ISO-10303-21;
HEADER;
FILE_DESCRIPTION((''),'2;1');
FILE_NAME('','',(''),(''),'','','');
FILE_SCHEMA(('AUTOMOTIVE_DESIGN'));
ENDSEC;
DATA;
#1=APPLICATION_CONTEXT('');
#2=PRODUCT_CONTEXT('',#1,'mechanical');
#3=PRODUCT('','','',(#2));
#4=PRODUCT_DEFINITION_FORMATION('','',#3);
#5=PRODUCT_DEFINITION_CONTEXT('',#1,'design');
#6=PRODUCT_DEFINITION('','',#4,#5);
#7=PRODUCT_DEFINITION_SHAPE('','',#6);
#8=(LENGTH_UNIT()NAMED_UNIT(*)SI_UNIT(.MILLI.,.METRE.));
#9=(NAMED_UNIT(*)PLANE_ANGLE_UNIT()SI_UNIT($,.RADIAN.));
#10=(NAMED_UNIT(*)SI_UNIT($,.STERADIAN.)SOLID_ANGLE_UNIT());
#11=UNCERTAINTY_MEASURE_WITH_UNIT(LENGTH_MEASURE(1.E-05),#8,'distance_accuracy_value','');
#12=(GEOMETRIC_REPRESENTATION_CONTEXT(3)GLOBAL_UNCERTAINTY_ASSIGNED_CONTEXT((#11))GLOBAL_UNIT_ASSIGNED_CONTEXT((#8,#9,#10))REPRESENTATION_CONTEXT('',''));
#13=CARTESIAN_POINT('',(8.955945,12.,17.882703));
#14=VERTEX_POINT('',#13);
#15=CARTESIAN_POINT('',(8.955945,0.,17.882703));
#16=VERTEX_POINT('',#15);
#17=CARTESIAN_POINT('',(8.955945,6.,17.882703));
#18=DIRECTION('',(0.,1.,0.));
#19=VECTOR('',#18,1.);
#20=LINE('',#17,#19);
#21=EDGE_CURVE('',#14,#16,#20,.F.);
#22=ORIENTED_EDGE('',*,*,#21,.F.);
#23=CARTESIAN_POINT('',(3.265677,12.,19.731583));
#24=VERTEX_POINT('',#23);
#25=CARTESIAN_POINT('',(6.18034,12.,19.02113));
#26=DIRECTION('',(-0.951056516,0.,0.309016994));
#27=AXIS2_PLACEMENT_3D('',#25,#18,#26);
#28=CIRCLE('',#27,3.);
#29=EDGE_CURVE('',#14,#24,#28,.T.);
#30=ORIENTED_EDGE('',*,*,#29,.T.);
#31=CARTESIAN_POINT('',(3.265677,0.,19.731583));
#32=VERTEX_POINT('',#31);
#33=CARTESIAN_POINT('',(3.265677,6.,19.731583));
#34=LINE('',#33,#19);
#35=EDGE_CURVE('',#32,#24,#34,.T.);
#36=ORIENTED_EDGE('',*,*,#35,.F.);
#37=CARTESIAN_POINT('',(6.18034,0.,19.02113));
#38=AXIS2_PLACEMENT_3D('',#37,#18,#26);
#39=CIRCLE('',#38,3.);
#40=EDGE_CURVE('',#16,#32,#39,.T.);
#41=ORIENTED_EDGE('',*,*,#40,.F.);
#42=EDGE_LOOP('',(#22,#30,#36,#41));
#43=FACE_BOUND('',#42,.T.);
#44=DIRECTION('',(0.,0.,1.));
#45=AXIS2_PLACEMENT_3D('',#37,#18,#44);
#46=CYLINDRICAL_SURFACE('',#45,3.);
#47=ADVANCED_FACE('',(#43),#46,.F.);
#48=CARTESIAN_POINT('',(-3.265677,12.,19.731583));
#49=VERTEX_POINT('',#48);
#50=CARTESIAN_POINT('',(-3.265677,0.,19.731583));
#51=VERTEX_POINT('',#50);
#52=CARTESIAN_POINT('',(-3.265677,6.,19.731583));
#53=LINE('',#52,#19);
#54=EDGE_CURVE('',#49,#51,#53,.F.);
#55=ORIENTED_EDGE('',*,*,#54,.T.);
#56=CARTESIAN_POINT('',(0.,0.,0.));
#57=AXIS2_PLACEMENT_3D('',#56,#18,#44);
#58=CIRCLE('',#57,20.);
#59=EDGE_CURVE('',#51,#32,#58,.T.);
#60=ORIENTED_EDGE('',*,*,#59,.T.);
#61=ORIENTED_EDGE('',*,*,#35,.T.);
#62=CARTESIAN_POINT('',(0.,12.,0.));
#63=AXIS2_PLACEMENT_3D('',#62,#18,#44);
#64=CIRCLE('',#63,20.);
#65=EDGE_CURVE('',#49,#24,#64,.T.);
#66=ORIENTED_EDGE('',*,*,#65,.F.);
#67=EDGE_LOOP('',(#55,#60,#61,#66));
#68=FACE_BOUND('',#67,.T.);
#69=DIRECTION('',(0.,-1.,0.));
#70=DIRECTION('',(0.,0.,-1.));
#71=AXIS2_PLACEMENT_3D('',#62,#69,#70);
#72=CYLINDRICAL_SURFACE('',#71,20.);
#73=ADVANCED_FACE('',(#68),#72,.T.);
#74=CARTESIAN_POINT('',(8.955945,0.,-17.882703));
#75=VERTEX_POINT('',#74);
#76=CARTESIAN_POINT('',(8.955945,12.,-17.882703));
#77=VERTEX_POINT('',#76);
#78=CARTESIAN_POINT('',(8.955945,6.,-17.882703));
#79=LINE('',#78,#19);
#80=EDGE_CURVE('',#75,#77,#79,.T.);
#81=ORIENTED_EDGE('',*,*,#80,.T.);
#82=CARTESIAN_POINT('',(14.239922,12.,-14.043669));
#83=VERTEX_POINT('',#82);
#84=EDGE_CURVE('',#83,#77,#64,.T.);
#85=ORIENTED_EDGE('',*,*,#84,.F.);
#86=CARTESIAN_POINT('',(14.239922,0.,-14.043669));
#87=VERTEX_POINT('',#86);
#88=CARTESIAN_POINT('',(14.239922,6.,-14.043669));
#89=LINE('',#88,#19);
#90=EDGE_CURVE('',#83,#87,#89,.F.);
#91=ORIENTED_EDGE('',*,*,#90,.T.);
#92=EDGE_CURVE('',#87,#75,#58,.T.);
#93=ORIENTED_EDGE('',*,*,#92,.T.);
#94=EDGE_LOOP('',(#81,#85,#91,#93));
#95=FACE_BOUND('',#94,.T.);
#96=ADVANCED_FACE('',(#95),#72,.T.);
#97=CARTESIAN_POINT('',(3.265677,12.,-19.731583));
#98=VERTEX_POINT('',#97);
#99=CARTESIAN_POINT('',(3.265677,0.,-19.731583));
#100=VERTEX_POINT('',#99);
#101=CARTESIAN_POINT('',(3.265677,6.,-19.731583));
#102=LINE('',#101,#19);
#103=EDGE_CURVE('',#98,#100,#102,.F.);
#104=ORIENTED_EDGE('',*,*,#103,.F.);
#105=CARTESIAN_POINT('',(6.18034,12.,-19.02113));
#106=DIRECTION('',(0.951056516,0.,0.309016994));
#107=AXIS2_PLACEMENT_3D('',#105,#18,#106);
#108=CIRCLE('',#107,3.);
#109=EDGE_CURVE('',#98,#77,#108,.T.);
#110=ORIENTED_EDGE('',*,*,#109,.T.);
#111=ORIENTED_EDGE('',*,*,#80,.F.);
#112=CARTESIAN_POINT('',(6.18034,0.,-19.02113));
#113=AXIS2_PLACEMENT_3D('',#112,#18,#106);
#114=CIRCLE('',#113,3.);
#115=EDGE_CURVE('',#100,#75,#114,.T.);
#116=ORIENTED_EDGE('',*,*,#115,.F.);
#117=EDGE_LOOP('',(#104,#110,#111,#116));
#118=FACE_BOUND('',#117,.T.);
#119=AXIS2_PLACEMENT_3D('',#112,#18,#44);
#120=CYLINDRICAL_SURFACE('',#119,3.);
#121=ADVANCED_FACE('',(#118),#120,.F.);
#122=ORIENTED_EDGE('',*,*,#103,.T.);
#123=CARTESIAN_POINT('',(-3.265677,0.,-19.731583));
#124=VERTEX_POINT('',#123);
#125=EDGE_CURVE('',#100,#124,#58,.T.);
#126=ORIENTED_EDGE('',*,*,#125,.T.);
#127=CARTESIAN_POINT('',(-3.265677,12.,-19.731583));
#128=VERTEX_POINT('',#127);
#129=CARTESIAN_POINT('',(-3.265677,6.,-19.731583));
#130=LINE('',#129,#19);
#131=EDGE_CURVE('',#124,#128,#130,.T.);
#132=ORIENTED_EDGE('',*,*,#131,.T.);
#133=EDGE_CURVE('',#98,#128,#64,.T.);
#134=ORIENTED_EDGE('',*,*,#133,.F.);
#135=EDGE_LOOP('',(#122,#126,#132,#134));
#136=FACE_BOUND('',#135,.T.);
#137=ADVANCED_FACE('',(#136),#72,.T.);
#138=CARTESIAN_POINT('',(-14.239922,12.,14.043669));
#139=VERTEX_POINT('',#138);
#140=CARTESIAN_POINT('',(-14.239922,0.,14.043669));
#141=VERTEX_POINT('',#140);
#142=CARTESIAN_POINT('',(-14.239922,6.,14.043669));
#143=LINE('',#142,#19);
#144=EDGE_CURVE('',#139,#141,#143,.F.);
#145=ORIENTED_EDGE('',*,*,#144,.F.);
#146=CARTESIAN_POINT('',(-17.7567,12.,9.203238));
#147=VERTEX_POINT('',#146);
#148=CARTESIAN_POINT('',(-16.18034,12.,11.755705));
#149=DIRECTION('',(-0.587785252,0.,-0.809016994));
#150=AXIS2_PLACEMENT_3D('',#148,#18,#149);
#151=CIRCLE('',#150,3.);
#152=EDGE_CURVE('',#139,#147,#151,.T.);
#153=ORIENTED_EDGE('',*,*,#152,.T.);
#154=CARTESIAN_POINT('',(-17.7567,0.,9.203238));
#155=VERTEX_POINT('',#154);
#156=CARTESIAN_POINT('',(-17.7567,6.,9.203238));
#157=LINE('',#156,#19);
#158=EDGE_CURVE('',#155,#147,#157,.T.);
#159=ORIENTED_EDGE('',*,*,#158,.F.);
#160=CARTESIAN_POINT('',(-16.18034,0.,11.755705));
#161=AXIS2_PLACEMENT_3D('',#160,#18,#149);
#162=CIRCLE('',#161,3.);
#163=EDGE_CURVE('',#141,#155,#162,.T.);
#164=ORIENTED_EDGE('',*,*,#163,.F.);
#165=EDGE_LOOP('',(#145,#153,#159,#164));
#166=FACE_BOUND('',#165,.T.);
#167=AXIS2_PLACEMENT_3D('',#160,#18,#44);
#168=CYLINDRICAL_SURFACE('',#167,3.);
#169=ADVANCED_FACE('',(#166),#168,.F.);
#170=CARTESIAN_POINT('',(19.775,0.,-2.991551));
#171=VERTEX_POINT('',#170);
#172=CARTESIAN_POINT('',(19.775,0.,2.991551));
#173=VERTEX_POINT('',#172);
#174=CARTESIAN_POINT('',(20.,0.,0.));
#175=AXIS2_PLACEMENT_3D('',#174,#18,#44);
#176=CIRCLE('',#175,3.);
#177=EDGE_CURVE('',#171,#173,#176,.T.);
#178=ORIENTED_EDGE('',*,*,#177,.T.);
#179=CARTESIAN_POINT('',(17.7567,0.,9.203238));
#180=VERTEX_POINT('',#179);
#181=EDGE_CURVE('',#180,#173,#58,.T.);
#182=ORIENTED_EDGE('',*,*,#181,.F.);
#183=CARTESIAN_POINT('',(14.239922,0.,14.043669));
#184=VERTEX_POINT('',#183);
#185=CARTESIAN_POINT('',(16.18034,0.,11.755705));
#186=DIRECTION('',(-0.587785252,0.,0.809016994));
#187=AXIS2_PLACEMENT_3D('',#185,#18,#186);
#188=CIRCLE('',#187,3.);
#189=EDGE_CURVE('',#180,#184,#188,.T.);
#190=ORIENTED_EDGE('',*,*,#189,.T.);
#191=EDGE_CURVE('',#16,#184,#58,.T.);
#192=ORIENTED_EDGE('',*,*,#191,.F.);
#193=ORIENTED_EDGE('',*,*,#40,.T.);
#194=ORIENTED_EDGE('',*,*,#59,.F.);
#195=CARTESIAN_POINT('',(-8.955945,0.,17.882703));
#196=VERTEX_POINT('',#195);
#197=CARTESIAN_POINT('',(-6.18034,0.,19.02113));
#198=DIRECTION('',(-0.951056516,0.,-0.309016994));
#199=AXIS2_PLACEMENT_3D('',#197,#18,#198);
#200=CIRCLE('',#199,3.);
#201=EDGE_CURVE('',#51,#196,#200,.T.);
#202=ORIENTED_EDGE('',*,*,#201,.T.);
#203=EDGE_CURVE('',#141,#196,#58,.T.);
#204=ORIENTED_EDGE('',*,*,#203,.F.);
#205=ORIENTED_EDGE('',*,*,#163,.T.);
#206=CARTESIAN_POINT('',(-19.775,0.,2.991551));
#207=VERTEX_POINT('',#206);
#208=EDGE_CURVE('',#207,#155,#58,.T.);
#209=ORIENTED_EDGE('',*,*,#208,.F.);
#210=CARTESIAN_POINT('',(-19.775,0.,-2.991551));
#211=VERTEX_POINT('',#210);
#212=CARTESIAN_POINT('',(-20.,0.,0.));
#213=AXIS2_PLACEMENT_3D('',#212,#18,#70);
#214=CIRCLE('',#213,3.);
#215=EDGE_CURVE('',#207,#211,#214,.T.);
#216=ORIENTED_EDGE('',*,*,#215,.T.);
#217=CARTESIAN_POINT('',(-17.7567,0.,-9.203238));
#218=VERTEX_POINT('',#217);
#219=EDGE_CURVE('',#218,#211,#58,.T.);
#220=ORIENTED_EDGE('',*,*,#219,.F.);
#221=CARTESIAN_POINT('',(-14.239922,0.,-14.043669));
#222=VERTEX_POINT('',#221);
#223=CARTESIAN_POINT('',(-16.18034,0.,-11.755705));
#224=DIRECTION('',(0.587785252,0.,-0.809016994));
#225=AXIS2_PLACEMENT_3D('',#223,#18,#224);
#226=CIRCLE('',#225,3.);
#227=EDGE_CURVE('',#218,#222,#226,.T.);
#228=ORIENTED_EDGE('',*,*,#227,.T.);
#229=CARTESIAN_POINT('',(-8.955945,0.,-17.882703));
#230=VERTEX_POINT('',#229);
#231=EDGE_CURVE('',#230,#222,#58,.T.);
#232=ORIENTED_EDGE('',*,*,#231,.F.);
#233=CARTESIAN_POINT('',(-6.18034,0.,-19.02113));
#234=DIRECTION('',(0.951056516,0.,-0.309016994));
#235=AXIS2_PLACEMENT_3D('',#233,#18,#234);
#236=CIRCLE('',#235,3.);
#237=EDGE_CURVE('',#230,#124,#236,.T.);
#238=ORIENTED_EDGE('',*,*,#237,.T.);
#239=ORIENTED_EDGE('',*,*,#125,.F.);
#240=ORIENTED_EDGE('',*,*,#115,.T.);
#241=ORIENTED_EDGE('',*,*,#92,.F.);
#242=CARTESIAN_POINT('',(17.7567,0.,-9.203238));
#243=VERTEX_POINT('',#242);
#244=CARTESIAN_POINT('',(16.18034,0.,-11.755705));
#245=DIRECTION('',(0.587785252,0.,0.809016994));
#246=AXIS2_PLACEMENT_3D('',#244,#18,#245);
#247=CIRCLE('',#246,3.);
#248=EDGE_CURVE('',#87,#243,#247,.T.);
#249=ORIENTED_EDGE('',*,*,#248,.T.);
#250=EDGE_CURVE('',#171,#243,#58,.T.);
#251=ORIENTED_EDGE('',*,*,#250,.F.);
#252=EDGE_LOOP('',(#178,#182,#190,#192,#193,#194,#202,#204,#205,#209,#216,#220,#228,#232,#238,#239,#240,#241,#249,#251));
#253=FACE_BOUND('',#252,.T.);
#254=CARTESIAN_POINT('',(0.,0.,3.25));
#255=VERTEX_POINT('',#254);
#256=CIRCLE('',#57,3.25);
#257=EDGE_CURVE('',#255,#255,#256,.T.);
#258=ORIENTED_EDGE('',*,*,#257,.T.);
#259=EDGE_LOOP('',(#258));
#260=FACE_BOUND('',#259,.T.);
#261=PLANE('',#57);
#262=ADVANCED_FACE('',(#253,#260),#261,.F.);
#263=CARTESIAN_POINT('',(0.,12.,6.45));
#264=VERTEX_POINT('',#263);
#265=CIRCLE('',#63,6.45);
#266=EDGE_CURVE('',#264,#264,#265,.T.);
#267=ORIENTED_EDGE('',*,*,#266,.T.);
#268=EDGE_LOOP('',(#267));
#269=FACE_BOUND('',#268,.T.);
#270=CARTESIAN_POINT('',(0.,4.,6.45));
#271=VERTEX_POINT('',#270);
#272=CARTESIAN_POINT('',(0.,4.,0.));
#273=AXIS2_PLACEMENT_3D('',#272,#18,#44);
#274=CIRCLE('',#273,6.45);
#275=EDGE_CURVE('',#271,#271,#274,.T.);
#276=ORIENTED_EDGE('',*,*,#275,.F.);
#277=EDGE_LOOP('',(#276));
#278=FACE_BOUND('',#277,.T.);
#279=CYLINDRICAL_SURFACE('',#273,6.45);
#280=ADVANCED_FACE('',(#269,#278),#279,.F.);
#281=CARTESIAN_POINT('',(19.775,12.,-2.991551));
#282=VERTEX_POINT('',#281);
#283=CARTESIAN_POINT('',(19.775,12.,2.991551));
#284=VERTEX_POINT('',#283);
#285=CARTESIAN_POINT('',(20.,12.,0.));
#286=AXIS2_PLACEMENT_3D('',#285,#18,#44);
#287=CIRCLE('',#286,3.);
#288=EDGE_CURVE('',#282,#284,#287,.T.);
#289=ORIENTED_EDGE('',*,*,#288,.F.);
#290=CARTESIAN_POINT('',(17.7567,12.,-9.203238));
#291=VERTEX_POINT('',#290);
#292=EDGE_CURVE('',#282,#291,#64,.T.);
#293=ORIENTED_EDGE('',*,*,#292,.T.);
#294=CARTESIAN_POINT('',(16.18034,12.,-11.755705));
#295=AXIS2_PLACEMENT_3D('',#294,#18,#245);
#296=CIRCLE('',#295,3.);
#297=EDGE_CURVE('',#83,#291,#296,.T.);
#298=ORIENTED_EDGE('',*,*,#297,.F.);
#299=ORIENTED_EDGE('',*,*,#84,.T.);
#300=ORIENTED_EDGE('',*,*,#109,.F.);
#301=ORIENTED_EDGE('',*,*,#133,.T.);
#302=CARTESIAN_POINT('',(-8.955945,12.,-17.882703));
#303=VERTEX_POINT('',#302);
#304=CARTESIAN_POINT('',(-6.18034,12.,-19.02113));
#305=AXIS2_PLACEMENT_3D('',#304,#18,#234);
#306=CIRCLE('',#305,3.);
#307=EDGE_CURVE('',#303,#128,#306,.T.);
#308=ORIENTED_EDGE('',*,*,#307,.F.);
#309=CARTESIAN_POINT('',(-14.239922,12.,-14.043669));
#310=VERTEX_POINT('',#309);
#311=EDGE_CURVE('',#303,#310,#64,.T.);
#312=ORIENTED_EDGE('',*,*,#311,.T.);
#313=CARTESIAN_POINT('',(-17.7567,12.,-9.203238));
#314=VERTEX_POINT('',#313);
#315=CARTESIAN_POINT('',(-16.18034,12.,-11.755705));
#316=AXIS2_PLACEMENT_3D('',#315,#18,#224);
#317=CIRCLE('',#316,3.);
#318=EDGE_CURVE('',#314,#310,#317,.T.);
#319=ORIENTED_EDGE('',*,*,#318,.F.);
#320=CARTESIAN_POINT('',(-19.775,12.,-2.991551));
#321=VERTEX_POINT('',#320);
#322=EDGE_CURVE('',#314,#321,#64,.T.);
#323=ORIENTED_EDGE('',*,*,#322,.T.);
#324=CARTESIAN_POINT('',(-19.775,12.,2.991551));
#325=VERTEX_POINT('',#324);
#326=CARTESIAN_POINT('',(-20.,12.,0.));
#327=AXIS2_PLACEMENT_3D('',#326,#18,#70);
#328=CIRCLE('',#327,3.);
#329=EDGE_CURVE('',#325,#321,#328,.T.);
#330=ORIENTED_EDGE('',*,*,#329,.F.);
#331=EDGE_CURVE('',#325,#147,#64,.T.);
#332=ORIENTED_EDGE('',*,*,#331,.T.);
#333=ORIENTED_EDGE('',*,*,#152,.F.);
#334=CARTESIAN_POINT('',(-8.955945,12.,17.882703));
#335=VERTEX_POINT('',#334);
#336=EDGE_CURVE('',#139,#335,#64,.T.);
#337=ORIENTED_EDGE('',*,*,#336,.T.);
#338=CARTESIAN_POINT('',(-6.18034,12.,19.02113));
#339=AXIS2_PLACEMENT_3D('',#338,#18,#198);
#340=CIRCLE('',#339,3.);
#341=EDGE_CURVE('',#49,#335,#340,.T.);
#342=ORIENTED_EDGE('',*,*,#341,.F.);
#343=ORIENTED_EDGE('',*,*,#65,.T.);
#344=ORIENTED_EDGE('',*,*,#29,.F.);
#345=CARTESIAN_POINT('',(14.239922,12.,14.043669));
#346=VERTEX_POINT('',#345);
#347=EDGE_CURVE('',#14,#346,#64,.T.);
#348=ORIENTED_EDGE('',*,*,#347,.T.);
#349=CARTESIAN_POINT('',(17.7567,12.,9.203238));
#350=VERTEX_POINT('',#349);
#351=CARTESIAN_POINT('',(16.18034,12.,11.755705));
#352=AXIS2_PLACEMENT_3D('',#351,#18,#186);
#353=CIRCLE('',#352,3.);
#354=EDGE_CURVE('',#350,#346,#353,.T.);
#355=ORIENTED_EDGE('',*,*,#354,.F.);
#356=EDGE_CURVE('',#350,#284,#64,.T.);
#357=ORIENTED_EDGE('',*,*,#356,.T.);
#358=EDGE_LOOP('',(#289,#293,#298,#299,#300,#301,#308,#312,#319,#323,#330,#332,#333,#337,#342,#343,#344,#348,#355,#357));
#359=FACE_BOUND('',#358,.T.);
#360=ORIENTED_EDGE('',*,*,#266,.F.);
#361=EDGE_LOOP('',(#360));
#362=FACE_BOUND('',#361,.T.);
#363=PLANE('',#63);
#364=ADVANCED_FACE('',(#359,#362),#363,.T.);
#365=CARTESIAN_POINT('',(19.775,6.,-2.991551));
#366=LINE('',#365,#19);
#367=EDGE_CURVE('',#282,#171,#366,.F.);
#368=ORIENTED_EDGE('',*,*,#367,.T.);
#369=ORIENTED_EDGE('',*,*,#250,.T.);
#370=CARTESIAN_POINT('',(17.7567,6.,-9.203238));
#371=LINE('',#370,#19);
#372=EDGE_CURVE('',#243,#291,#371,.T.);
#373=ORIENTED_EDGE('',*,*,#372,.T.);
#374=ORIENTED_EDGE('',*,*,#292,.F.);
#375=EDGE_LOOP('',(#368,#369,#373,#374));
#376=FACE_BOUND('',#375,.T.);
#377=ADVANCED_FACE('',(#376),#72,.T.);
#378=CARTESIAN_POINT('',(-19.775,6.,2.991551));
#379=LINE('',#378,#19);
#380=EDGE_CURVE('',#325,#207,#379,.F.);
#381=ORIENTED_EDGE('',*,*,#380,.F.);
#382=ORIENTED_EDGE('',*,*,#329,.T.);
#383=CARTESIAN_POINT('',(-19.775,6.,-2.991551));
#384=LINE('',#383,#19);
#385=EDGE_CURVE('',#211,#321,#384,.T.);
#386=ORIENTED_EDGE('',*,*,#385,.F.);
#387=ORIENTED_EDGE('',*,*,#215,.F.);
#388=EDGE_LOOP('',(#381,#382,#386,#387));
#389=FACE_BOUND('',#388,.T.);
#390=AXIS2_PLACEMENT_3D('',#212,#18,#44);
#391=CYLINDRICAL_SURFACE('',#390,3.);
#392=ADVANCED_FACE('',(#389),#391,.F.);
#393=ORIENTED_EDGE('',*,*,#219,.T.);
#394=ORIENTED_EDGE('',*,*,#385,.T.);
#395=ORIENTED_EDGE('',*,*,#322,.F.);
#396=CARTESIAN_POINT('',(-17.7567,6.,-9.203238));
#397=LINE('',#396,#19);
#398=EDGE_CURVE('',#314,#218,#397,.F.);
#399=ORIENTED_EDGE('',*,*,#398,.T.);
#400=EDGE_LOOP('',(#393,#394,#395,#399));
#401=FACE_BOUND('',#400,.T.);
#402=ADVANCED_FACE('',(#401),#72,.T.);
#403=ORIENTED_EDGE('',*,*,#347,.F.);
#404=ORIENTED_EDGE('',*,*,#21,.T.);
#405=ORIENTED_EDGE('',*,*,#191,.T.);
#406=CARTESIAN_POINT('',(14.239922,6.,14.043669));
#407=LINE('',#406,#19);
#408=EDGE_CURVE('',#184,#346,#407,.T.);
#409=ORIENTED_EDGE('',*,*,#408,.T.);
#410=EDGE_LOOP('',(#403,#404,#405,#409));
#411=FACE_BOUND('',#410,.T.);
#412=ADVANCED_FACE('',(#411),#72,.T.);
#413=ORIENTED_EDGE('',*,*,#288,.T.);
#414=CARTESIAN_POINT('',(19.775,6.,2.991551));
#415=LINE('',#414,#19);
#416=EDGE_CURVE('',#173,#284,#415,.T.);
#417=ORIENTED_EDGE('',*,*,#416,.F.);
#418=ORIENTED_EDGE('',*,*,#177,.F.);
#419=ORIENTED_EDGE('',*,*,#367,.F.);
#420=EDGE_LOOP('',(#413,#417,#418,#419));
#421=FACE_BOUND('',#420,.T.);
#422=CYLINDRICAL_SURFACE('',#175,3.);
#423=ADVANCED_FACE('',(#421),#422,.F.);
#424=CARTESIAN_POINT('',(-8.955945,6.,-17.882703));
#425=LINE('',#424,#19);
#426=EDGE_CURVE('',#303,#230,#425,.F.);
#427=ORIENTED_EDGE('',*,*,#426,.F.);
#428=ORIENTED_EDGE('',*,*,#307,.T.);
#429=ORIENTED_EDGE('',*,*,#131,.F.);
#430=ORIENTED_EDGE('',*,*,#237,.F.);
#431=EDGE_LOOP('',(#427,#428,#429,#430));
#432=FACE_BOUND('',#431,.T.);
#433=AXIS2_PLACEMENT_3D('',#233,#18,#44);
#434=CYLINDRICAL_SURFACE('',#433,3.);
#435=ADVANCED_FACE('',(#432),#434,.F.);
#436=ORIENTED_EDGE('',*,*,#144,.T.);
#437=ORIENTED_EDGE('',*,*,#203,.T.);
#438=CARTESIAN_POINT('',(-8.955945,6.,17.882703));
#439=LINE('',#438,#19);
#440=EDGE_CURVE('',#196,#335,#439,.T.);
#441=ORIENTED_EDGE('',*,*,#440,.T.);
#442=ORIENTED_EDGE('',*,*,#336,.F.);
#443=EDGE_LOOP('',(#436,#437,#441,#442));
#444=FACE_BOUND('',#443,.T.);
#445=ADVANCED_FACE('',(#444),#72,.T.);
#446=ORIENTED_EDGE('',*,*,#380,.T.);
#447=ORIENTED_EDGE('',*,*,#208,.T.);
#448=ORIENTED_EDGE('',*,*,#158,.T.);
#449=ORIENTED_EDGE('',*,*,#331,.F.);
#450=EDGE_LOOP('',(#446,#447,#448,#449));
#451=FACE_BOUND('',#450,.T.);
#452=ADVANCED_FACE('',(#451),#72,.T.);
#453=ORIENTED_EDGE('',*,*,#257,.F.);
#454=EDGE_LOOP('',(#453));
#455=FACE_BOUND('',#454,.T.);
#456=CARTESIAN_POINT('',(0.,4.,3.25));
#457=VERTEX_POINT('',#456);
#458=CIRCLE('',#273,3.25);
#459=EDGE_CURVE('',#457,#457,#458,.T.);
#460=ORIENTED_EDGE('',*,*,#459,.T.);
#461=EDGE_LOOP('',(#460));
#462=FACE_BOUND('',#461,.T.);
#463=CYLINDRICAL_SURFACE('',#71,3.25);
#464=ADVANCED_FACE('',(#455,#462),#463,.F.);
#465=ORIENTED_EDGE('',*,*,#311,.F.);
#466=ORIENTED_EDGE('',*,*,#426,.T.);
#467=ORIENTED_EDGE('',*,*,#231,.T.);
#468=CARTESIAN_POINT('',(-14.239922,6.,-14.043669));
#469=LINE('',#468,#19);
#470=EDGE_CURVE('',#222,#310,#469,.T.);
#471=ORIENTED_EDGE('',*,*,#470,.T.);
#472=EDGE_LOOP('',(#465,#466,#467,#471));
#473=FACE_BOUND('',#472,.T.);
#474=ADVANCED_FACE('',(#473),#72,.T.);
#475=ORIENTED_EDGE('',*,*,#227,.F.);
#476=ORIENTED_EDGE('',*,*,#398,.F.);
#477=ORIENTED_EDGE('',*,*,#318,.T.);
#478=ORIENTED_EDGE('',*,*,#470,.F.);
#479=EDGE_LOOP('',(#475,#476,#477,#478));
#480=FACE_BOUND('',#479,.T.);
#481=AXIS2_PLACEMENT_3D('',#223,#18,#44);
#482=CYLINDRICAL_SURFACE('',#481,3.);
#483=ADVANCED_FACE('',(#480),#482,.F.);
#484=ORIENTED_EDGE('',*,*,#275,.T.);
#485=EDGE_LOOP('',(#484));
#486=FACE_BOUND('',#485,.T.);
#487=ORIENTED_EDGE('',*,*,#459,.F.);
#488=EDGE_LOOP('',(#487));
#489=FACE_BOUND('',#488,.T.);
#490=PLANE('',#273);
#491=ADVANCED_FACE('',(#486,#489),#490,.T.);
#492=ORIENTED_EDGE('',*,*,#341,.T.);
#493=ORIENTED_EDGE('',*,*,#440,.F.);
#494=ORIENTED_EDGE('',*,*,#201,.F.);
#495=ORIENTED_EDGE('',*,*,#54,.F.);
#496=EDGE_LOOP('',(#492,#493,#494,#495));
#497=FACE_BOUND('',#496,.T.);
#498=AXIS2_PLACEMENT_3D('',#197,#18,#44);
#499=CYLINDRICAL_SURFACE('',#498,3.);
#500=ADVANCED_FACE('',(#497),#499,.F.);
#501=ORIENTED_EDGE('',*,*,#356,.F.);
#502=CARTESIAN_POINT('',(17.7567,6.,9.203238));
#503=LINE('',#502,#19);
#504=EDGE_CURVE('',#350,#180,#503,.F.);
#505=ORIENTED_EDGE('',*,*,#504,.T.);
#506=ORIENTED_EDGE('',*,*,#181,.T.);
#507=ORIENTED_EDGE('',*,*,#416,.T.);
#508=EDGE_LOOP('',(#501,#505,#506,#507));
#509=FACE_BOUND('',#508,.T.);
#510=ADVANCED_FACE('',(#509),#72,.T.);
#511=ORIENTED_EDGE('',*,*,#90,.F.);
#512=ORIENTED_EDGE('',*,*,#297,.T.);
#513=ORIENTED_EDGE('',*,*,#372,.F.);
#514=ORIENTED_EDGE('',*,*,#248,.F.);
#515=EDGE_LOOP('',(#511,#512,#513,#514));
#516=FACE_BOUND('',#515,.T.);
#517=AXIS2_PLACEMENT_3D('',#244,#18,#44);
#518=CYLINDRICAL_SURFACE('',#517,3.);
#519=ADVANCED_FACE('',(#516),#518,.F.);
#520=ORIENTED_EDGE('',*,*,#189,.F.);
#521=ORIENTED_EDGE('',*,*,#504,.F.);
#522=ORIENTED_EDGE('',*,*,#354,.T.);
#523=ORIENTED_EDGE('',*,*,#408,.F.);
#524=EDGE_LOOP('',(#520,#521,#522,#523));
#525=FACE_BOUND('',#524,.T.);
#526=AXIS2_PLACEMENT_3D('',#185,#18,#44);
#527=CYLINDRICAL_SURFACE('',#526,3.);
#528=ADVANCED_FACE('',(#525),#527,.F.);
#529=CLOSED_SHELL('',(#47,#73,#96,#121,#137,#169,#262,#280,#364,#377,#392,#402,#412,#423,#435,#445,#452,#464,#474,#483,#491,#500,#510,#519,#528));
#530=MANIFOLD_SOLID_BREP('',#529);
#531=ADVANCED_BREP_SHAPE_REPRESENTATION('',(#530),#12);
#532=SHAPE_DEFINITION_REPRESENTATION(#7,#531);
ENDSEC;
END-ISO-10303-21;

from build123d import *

# Parameters (mm, degrees)
SKETCH1_R           = 20
SKETCH1_R_2         = 3.25
BOSS_EXTRUDE1_DEPTH = 12
SKETCH2_R           = 6.45
CUT_EXTRUDE1_DEPTH  = 8
SKETCH3_R           = 3
CUT_EXTRUDE2_DEPTH  = 31.724582991
CIRPATTERN1_COUNT   = 10


with BuildPart() as part:
    # Sketch1 → Boss-Extrude1 (new body)
    with BuildSketch(Plane(origin=(0, 0, 0), x_dir=(1, 0, 0), z_dir=(0, 1, 0))):
        with Locations(Location((0, 0, 0), (0, 0, 270))):
            Circle(SKETCH1_R)
        with Locations(Location((0, 0, 0), (0, 0, 270))):
            Circle(SKETCH1_R_2, mode=Mode.SUBTRACT)
    extrude(amount=BOSS_EXTRUDE1_DEPTH)

    # Sketch2 → Cut-Extrude1 (cut)
    with BuildSketch(Plane(origin=(0, 12, 0), x_dir=(1, 0, 0), z_dir=(0, 1, 0))):
        with Locations(Location((0, 0, 0), (0, 0, 270))):
            Circle(SKETCH2_R)
    extrude(amount=-CUT_EXTRUDE1_DEPTH, mode=Mode.SUBTRACT)

    # Sketch3 → Cut-Extrude2 (cut, through all)
    with BuildSketch(Plane(origin=(0, 12, 0), x_dir=(1, 0, 0), z_dir=(0, 1, 0))):
        with Locations((20, 0)):
            Circle(SKETCH3_R)
    cut_extrude2 = extrude(amount=-CUT_EXTRUDE2_DEPTH, mode=Mode.SUBTRACT)

    # CirPattern1: Cut-Extrude2 ×10 about axis
    cirpattern1_axis = Axis((0, 0, 0), (0, 1, 0))
    for i in range(1, CIRPATTERN1_COUNT):
        add(cut_extrude2.rotate(cirpattern1_axis, i * 360 / CIRPATTERN1_COUNT), mode=Mode.SUBTRACT)


solid = part.part
